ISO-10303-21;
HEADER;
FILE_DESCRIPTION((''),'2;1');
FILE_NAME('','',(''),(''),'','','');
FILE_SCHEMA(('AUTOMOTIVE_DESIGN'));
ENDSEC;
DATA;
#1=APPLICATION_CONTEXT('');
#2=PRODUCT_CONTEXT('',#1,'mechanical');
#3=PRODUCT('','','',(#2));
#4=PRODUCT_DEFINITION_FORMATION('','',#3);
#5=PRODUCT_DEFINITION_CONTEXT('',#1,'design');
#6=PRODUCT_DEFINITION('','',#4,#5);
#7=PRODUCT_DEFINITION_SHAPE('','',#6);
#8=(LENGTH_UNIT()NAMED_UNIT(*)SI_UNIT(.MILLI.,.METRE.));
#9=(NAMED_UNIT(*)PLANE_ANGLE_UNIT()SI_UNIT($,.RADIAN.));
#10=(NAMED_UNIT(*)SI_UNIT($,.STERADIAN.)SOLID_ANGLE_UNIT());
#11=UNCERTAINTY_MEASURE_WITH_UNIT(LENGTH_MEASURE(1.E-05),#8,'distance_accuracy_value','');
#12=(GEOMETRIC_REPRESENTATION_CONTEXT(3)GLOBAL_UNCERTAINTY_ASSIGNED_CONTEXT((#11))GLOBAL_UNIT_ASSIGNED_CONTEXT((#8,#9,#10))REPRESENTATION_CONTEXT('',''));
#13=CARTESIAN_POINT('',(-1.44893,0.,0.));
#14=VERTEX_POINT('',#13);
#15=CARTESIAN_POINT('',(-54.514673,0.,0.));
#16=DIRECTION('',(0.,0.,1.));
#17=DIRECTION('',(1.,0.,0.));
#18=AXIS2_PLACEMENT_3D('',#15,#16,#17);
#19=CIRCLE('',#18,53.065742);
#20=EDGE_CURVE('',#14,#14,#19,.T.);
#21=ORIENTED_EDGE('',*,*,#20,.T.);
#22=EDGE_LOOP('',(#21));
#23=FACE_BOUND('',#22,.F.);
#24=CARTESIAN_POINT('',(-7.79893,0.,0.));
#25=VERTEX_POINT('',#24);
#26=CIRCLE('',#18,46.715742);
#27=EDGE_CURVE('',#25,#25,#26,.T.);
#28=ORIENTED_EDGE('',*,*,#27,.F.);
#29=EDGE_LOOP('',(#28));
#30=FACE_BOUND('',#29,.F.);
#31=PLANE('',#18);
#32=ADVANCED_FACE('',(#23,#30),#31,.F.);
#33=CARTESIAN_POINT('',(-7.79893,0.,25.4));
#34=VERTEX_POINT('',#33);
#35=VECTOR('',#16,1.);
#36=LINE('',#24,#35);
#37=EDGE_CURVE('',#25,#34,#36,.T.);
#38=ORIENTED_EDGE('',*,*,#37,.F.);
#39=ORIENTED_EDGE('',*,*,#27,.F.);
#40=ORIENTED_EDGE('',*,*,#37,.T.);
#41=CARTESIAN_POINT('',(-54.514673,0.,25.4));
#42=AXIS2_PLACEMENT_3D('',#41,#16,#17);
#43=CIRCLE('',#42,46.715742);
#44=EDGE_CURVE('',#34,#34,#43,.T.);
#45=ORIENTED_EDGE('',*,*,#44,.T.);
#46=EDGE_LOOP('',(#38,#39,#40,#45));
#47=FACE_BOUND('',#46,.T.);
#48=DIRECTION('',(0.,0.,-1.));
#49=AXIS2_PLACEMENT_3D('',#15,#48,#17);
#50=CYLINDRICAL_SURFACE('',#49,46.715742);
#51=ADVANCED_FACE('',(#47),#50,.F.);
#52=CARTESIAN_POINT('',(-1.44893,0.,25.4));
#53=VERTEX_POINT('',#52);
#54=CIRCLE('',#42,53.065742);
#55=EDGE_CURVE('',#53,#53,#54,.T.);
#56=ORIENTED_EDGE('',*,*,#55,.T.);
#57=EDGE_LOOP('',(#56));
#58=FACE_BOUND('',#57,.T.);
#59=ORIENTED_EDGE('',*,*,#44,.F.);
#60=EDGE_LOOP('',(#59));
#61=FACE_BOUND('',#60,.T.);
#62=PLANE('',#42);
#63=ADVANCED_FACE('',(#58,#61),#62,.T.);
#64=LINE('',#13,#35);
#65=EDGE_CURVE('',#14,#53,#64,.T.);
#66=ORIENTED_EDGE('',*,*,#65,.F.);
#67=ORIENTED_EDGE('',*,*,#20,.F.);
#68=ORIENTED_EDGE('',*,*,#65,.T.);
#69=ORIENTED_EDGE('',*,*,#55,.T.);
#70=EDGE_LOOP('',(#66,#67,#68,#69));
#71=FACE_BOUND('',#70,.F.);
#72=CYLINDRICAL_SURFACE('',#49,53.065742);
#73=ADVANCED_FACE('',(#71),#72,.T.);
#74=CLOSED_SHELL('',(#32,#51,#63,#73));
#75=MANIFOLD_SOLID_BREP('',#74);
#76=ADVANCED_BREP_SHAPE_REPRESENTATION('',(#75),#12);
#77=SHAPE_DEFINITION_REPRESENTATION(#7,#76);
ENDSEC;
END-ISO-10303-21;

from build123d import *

# Parameters (mm, degrees)
F0_R     = 53.853392601
F2_DEPTH = 25.4
F1_R     = 53.065742398
F4_T     = -6.35


with BuildPart() as f2:
    # F0 (on Top) → F2 (new body)
    with BuildSketch(Plane.XY):
        with Locations((-53.853392601, 0)):
            Circle(F0_R)
    extrude(amount=F2_DEPTH)


with BuildPart() as f2b:
    # F1 (on Top) → F2, piece 2 (new body)
    with BuildSketch(Plane.XY):
        with Locations((-54.5146726072, 0)):
            Circle(F1_R)
    extrude(amount=F2_DEPTH)

    # F4
    f4_openings = [f2b.faces().sort_by_distance(p)[0] for p in [
        (-54.514673, 0, 0),
        (-54.514673, 0, 25.4),
    ]]
    offset(amount=F4_T, openings=f4_openings)


solid = f2b.part
